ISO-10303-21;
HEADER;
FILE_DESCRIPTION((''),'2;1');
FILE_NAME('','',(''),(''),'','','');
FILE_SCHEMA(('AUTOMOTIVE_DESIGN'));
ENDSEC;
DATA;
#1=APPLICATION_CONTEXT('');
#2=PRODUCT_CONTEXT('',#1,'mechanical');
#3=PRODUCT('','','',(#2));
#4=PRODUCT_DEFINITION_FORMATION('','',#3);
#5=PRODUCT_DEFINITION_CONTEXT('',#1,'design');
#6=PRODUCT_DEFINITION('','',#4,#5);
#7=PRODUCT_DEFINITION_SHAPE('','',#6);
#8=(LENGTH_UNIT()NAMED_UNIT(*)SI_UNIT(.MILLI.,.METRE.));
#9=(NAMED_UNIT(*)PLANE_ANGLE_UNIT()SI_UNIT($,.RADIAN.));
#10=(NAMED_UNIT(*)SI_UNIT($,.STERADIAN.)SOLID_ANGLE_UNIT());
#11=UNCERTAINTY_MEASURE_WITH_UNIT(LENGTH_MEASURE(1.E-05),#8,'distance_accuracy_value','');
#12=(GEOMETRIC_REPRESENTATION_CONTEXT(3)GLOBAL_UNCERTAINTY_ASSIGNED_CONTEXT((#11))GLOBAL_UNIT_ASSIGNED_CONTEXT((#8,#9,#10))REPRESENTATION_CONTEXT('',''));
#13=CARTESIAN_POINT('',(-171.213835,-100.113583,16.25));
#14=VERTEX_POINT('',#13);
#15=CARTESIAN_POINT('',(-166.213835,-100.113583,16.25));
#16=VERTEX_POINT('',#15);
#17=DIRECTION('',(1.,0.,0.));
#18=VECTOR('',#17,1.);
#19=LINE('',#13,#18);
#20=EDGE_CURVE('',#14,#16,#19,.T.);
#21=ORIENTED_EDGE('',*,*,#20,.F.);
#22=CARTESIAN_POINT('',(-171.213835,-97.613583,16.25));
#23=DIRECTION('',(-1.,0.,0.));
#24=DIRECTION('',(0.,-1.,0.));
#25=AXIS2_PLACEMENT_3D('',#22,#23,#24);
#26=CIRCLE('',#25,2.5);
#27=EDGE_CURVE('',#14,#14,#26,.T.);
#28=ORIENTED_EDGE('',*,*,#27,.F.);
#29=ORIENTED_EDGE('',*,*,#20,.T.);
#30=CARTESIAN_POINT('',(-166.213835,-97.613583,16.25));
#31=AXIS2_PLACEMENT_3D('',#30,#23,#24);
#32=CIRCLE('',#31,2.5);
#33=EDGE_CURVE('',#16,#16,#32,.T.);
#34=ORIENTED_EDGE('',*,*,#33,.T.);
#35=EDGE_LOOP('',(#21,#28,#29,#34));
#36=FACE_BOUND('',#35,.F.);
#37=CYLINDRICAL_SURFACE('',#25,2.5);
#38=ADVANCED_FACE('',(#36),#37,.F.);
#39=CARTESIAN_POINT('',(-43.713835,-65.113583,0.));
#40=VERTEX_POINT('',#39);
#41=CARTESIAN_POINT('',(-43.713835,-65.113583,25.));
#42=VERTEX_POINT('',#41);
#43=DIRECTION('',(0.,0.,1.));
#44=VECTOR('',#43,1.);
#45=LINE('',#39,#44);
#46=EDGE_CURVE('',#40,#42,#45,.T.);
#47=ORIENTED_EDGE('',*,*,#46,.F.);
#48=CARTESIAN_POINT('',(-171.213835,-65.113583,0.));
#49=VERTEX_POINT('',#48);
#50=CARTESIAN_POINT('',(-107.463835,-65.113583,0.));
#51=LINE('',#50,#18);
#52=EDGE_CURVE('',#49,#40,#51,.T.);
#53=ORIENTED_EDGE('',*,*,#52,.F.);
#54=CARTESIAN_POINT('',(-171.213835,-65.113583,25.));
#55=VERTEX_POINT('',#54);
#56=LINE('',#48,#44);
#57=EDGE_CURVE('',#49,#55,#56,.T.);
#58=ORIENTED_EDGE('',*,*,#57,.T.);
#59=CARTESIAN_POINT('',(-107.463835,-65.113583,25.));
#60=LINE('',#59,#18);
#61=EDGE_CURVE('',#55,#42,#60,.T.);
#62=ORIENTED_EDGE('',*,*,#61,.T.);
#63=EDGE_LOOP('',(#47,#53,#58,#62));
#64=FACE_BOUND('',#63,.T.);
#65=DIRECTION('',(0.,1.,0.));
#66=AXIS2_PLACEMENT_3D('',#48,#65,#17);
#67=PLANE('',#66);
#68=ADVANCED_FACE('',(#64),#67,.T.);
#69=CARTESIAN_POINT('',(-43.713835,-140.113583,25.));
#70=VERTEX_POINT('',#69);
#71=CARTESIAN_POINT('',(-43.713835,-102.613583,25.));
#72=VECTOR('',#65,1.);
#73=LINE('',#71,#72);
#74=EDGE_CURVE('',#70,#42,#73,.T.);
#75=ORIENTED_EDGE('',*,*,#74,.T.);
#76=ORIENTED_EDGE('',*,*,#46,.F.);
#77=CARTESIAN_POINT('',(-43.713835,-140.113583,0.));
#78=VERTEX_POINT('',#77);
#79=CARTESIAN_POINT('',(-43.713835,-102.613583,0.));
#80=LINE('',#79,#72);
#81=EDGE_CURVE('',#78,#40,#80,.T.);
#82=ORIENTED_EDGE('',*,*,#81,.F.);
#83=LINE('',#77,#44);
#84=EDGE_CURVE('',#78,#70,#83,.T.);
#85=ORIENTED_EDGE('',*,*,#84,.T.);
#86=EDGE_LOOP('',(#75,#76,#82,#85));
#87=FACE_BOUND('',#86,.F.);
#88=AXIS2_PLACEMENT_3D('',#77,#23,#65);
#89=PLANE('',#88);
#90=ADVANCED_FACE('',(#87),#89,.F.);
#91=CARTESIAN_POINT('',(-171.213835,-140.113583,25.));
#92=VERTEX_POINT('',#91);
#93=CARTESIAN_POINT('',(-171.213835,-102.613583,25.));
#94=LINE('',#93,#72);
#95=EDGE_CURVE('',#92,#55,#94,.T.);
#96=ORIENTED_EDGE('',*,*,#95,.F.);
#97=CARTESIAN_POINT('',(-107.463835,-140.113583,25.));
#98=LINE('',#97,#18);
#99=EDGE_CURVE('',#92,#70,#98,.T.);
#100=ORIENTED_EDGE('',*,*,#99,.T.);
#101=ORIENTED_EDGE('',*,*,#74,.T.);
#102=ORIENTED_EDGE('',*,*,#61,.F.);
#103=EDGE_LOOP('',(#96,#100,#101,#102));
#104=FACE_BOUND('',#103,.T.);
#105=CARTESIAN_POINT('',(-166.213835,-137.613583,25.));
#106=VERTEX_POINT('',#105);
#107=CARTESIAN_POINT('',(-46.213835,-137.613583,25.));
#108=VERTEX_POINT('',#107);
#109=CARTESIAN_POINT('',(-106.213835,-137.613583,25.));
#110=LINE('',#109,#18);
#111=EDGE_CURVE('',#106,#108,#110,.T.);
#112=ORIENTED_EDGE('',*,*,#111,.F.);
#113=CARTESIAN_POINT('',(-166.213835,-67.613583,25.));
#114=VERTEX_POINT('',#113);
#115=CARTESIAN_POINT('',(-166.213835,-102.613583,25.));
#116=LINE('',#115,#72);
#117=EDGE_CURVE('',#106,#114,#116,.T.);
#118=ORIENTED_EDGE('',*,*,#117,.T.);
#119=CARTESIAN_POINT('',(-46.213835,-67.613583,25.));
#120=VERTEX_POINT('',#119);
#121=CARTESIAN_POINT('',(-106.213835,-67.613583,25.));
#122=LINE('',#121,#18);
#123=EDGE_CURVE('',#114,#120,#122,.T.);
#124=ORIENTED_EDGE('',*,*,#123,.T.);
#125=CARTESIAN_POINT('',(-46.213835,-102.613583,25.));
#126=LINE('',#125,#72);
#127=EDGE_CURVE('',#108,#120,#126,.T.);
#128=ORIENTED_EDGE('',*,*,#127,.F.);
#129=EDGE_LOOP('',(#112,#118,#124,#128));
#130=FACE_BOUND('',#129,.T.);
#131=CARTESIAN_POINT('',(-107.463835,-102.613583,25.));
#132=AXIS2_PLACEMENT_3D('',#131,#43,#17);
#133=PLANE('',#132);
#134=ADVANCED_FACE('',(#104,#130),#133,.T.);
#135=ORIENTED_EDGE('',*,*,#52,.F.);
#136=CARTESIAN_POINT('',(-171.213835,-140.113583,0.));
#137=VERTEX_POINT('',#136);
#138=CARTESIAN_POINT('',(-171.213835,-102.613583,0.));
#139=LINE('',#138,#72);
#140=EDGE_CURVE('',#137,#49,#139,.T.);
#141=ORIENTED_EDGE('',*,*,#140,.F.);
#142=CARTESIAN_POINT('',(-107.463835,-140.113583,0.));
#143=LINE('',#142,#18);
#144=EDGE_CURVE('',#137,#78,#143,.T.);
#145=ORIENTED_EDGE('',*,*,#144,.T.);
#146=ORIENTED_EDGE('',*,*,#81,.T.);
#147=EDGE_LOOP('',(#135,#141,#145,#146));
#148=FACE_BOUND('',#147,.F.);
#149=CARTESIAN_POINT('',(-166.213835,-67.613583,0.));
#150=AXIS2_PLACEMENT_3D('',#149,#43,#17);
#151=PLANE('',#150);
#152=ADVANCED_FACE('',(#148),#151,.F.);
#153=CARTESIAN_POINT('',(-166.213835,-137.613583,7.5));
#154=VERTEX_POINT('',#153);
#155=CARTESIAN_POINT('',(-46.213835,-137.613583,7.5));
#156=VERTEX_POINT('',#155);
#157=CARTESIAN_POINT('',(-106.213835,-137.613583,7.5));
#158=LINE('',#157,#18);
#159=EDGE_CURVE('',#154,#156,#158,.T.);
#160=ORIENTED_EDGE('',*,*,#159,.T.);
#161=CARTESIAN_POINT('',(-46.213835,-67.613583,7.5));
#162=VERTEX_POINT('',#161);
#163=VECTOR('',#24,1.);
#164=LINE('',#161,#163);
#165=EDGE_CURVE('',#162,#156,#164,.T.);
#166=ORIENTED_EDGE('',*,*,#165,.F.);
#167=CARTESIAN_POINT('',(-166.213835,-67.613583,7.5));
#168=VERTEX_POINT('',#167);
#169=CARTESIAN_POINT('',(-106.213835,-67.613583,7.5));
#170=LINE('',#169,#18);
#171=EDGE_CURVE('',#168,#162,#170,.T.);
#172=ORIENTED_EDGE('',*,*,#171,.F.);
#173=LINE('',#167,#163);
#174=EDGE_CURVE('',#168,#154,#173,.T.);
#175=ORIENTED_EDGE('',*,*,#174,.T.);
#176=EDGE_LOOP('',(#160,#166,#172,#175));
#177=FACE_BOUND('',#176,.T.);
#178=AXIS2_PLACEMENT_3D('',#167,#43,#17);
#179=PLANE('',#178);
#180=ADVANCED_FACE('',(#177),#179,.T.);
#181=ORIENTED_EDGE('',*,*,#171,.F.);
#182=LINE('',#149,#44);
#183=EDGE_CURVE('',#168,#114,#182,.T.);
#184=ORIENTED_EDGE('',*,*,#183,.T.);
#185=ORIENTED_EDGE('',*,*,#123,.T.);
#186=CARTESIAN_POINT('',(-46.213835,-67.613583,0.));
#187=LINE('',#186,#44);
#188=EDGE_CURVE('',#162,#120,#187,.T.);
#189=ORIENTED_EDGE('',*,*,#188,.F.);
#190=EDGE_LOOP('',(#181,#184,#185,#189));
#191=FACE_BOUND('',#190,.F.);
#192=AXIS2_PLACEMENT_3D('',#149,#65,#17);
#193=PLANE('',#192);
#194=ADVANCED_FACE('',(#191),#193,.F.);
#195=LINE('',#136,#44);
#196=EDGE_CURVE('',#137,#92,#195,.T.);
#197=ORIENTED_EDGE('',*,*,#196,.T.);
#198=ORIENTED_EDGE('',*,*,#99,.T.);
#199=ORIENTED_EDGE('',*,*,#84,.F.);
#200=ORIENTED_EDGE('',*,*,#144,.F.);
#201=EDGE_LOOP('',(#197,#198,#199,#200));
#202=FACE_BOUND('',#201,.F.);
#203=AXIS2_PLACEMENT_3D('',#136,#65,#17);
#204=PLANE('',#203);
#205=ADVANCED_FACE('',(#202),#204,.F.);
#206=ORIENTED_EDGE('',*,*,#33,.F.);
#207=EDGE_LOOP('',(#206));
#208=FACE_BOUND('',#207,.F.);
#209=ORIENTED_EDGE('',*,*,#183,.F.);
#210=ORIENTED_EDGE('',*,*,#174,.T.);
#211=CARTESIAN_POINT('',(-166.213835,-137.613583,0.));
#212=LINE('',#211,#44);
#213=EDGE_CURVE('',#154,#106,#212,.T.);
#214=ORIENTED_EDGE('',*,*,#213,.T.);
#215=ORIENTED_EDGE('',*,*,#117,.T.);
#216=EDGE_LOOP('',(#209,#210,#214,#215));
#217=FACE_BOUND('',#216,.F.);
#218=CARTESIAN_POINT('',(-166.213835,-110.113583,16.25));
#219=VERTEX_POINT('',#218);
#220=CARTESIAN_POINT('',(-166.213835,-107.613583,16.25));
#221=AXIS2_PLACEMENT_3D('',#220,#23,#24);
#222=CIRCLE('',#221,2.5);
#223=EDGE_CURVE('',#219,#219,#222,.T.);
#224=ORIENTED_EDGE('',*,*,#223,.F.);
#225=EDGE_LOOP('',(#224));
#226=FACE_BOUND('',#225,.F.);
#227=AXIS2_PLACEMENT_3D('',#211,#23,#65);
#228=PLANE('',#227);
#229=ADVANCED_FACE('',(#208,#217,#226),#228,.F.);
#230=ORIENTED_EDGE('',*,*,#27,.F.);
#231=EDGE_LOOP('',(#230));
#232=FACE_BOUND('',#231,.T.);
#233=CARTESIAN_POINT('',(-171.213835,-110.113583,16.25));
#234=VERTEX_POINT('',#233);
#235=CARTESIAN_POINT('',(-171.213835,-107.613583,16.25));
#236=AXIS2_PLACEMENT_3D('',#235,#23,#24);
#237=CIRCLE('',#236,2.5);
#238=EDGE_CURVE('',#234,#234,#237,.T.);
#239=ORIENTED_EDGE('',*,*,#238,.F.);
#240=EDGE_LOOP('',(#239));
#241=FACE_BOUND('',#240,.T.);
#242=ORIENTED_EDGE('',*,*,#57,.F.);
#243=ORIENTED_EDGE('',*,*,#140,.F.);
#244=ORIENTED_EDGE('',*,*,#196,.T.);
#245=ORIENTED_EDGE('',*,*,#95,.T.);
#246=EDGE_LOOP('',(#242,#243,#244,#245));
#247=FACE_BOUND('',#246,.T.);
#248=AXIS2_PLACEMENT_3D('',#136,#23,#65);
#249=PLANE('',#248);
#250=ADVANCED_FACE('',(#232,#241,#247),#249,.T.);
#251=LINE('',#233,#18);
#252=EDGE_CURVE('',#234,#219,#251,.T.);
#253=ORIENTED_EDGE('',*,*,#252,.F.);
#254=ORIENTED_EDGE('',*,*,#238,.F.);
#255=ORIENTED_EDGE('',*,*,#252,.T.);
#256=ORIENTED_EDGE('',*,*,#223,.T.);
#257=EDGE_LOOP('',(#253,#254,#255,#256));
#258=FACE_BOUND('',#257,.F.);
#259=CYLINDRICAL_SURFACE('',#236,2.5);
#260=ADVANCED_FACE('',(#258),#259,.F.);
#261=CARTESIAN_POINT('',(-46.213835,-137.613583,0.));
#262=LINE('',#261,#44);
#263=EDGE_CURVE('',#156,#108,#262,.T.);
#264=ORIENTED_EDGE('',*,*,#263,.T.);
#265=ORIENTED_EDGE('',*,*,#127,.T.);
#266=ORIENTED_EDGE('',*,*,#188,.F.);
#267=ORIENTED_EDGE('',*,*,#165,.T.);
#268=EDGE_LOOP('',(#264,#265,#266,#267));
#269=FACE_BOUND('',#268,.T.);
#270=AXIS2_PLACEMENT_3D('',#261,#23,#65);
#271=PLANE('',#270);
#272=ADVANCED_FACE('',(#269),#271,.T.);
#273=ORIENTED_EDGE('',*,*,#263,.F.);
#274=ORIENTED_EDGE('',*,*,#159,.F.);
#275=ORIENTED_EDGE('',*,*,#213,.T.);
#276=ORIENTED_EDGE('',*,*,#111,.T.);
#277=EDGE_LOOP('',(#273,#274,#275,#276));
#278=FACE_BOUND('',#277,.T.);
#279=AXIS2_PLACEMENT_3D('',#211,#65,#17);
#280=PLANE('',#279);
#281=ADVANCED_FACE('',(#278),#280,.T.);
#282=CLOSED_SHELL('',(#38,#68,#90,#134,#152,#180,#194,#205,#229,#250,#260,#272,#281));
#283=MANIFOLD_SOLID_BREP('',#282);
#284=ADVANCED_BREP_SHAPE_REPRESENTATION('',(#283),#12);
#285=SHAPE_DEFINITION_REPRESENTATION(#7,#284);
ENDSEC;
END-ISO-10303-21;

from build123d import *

# Parameters (mm, degrees)
F0_W     = 127.5
F0_H     = 75
F0_W_2   = 120
F0_H_2   = 70
F1_DEPTH = 25
F2_W     = 120
F2_H     = 7.5
F3_DEPTH = 70
F4_R     = 2.5
F5_DEPTH = 25


with BuildPart() as f1:
    # F0 (on Top) → F1 (new body)
    with BuildSketch(Plane.XY):
        with Locations((-107.463835, -102.613583)):
            Rectangle(F0_W, F0_H)
        with Locations((-106.213835, -102.613583)):
            Rectangle(F0_W_2, F0_H_2, mode=Mode.SUBTRACT)
    extrude(amount=F1_DEPTH)

    # F2 (on face) → F3 (join)
    with BuildSketch(Plane.XZ.offset(67.613583)):
        with Locations((-106.213835, 3.75)):
            Rectangle(F2_W, F2_H)
    extrude(amount=F3_DEPTH)

    # F4 (on face) → F5 (cut)
    with BuildSketch(Plane(origin=(-171.213835, 0, 0), x_dir=(0, -1, 0), z_dir=(-1, 0, 0))):
        with Locations((97.613583, 16.25)):
            Circle(F4_R)
        with Locations((107.613583, 16.25)):
            Circle(F4_R)
    extrude(amount=-F5_DEPTH, mode=Mode.SUBTRACT)


solid = f1.part
